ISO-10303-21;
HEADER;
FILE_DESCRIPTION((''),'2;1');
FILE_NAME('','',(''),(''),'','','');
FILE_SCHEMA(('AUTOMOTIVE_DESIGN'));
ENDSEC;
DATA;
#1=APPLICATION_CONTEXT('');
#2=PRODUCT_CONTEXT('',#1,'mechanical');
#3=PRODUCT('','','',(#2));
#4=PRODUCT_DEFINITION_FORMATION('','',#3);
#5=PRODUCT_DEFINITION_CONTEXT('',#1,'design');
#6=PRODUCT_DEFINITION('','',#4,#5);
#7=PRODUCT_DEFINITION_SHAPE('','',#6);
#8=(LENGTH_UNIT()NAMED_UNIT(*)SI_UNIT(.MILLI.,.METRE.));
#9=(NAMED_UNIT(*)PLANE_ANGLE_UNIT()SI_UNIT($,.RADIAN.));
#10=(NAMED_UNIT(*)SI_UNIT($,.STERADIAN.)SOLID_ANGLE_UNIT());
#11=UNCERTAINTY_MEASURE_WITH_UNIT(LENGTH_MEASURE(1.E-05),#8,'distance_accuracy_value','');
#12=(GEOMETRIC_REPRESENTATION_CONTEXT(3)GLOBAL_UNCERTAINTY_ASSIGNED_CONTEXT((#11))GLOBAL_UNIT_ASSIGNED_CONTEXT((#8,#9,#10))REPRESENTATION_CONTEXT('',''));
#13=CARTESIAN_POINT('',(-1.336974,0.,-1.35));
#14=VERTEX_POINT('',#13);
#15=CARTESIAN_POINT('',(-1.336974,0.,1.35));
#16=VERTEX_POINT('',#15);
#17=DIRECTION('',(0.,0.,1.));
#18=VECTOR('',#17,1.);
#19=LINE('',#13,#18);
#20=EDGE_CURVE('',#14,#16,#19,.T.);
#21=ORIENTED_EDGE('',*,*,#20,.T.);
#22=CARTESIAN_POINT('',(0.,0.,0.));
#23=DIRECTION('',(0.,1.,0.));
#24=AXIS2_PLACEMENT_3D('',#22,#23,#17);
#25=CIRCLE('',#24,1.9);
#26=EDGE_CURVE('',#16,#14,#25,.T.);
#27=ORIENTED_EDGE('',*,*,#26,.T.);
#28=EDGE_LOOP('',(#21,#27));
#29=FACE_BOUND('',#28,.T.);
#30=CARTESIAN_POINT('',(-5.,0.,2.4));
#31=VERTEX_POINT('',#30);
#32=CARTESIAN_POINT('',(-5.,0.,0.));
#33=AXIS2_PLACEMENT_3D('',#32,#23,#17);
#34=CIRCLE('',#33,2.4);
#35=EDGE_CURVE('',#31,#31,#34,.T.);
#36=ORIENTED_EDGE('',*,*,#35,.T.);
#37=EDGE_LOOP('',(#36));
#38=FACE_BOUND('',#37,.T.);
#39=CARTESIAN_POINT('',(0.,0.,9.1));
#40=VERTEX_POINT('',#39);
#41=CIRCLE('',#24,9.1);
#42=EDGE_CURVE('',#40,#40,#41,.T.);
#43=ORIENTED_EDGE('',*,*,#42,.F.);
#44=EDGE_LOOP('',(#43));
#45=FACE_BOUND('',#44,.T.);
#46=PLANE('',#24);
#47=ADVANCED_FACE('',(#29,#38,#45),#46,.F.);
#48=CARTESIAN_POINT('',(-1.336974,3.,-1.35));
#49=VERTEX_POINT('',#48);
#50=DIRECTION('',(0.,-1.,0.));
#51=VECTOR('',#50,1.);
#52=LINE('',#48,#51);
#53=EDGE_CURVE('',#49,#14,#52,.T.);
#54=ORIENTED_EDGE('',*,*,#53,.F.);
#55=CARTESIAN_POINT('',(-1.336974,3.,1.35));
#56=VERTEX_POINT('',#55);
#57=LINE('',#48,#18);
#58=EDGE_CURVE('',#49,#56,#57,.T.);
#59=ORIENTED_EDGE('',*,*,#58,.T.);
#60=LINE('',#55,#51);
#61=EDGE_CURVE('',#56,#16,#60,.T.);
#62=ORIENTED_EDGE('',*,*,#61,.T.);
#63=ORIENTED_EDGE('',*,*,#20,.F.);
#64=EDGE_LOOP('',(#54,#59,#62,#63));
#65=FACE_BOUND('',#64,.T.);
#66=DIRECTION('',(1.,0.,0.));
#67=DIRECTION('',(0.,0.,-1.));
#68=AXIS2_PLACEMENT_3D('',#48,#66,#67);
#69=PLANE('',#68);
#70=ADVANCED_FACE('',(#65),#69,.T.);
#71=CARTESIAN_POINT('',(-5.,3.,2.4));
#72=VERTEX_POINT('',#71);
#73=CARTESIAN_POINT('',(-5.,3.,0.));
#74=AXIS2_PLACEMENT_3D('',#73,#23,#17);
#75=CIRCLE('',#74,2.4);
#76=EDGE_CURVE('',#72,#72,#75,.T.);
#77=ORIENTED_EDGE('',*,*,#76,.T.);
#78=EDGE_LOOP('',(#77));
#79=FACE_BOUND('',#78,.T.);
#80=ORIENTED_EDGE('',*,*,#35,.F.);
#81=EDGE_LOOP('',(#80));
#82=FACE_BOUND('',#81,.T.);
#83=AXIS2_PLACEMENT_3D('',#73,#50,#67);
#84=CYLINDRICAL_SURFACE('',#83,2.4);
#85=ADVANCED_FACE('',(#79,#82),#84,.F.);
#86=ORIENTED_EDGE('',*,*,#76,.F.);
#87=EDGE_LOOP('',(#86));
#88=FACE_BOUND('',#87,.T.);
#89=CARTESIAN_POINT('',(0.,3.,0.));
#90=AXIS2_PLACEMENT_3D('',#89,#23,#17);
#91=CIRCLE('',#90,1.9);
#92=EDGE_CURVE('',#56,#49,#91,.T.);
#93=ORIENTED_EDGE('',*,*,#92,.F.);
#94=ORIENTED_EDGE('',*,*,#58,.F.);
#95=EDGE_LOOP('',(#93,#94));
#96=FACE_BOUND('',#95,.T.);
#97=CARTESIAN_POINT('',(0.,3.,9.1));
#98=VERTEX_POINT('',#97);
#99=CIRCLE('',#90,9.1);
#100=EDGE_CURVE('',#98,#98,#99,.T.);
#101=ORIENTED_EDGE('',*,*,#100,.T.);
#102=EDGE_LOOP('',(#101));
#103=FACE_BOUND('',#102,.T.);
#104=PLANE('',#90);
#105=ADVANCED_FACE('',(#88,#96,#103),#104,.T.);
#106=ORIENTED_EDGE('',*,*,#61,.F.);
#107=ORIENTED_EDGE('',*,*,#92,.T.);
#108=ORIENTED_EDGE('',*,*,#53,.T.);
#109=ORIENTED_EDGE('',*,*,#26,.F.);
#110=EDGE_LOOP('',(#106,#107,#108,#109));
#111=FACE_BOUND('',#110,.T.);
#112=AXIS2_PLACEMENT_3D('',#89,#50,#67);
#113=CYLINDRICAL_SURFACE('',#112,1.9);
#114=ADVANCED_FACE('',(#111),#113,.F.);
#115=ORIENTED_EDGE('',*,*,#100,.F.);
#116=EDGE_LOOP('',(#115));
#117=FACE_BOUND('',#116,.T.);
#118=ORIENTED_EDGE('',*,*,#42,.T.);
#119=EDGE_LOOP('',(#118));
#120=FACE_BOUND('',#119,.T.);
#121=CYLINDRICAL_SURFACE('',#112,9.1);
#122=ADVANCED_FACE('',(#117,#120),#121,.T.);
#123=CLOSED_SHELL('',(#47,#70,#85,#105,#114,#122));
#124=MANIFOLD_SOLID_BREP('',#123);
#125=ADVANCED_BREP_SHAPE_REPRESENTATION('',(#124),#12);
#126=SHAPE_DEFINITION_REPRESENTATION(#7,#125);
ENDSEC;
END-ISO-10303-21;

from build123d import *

# Parameters (mm, degrees)
SKETCH1_R           = 9.1
SKETCH1_R_2         = 2.4
BOSS_EXTRUDE1_DEPTH = 3


with BuildPart() as part:
    # Sketch1 → Boss-Extrude1 (new body)
    with BuildSketch(Plane(origin=(0, 0, 0), x_dir=(1, 0, 0), z_dir=(0, 1, 0))):
        Circle(SKETCH1_R)
        with Locations((-5, 0)):
            Circle(SKETCH1_R_2, mode=Mode.SUBTRACT)
        with BuildLine():
            Line((-1.336974196, 1.35), (-1.336974196, -1.35))
            ThreePointArc((-1.336974196, -1.35), (1.9, 0), (-1.336974196, 1.35))
        make_face(mode=Mode.SUBTRACT)
    extrude(amount=BOSS_EXTRUDE1_DEPTH)


solid = part.part
